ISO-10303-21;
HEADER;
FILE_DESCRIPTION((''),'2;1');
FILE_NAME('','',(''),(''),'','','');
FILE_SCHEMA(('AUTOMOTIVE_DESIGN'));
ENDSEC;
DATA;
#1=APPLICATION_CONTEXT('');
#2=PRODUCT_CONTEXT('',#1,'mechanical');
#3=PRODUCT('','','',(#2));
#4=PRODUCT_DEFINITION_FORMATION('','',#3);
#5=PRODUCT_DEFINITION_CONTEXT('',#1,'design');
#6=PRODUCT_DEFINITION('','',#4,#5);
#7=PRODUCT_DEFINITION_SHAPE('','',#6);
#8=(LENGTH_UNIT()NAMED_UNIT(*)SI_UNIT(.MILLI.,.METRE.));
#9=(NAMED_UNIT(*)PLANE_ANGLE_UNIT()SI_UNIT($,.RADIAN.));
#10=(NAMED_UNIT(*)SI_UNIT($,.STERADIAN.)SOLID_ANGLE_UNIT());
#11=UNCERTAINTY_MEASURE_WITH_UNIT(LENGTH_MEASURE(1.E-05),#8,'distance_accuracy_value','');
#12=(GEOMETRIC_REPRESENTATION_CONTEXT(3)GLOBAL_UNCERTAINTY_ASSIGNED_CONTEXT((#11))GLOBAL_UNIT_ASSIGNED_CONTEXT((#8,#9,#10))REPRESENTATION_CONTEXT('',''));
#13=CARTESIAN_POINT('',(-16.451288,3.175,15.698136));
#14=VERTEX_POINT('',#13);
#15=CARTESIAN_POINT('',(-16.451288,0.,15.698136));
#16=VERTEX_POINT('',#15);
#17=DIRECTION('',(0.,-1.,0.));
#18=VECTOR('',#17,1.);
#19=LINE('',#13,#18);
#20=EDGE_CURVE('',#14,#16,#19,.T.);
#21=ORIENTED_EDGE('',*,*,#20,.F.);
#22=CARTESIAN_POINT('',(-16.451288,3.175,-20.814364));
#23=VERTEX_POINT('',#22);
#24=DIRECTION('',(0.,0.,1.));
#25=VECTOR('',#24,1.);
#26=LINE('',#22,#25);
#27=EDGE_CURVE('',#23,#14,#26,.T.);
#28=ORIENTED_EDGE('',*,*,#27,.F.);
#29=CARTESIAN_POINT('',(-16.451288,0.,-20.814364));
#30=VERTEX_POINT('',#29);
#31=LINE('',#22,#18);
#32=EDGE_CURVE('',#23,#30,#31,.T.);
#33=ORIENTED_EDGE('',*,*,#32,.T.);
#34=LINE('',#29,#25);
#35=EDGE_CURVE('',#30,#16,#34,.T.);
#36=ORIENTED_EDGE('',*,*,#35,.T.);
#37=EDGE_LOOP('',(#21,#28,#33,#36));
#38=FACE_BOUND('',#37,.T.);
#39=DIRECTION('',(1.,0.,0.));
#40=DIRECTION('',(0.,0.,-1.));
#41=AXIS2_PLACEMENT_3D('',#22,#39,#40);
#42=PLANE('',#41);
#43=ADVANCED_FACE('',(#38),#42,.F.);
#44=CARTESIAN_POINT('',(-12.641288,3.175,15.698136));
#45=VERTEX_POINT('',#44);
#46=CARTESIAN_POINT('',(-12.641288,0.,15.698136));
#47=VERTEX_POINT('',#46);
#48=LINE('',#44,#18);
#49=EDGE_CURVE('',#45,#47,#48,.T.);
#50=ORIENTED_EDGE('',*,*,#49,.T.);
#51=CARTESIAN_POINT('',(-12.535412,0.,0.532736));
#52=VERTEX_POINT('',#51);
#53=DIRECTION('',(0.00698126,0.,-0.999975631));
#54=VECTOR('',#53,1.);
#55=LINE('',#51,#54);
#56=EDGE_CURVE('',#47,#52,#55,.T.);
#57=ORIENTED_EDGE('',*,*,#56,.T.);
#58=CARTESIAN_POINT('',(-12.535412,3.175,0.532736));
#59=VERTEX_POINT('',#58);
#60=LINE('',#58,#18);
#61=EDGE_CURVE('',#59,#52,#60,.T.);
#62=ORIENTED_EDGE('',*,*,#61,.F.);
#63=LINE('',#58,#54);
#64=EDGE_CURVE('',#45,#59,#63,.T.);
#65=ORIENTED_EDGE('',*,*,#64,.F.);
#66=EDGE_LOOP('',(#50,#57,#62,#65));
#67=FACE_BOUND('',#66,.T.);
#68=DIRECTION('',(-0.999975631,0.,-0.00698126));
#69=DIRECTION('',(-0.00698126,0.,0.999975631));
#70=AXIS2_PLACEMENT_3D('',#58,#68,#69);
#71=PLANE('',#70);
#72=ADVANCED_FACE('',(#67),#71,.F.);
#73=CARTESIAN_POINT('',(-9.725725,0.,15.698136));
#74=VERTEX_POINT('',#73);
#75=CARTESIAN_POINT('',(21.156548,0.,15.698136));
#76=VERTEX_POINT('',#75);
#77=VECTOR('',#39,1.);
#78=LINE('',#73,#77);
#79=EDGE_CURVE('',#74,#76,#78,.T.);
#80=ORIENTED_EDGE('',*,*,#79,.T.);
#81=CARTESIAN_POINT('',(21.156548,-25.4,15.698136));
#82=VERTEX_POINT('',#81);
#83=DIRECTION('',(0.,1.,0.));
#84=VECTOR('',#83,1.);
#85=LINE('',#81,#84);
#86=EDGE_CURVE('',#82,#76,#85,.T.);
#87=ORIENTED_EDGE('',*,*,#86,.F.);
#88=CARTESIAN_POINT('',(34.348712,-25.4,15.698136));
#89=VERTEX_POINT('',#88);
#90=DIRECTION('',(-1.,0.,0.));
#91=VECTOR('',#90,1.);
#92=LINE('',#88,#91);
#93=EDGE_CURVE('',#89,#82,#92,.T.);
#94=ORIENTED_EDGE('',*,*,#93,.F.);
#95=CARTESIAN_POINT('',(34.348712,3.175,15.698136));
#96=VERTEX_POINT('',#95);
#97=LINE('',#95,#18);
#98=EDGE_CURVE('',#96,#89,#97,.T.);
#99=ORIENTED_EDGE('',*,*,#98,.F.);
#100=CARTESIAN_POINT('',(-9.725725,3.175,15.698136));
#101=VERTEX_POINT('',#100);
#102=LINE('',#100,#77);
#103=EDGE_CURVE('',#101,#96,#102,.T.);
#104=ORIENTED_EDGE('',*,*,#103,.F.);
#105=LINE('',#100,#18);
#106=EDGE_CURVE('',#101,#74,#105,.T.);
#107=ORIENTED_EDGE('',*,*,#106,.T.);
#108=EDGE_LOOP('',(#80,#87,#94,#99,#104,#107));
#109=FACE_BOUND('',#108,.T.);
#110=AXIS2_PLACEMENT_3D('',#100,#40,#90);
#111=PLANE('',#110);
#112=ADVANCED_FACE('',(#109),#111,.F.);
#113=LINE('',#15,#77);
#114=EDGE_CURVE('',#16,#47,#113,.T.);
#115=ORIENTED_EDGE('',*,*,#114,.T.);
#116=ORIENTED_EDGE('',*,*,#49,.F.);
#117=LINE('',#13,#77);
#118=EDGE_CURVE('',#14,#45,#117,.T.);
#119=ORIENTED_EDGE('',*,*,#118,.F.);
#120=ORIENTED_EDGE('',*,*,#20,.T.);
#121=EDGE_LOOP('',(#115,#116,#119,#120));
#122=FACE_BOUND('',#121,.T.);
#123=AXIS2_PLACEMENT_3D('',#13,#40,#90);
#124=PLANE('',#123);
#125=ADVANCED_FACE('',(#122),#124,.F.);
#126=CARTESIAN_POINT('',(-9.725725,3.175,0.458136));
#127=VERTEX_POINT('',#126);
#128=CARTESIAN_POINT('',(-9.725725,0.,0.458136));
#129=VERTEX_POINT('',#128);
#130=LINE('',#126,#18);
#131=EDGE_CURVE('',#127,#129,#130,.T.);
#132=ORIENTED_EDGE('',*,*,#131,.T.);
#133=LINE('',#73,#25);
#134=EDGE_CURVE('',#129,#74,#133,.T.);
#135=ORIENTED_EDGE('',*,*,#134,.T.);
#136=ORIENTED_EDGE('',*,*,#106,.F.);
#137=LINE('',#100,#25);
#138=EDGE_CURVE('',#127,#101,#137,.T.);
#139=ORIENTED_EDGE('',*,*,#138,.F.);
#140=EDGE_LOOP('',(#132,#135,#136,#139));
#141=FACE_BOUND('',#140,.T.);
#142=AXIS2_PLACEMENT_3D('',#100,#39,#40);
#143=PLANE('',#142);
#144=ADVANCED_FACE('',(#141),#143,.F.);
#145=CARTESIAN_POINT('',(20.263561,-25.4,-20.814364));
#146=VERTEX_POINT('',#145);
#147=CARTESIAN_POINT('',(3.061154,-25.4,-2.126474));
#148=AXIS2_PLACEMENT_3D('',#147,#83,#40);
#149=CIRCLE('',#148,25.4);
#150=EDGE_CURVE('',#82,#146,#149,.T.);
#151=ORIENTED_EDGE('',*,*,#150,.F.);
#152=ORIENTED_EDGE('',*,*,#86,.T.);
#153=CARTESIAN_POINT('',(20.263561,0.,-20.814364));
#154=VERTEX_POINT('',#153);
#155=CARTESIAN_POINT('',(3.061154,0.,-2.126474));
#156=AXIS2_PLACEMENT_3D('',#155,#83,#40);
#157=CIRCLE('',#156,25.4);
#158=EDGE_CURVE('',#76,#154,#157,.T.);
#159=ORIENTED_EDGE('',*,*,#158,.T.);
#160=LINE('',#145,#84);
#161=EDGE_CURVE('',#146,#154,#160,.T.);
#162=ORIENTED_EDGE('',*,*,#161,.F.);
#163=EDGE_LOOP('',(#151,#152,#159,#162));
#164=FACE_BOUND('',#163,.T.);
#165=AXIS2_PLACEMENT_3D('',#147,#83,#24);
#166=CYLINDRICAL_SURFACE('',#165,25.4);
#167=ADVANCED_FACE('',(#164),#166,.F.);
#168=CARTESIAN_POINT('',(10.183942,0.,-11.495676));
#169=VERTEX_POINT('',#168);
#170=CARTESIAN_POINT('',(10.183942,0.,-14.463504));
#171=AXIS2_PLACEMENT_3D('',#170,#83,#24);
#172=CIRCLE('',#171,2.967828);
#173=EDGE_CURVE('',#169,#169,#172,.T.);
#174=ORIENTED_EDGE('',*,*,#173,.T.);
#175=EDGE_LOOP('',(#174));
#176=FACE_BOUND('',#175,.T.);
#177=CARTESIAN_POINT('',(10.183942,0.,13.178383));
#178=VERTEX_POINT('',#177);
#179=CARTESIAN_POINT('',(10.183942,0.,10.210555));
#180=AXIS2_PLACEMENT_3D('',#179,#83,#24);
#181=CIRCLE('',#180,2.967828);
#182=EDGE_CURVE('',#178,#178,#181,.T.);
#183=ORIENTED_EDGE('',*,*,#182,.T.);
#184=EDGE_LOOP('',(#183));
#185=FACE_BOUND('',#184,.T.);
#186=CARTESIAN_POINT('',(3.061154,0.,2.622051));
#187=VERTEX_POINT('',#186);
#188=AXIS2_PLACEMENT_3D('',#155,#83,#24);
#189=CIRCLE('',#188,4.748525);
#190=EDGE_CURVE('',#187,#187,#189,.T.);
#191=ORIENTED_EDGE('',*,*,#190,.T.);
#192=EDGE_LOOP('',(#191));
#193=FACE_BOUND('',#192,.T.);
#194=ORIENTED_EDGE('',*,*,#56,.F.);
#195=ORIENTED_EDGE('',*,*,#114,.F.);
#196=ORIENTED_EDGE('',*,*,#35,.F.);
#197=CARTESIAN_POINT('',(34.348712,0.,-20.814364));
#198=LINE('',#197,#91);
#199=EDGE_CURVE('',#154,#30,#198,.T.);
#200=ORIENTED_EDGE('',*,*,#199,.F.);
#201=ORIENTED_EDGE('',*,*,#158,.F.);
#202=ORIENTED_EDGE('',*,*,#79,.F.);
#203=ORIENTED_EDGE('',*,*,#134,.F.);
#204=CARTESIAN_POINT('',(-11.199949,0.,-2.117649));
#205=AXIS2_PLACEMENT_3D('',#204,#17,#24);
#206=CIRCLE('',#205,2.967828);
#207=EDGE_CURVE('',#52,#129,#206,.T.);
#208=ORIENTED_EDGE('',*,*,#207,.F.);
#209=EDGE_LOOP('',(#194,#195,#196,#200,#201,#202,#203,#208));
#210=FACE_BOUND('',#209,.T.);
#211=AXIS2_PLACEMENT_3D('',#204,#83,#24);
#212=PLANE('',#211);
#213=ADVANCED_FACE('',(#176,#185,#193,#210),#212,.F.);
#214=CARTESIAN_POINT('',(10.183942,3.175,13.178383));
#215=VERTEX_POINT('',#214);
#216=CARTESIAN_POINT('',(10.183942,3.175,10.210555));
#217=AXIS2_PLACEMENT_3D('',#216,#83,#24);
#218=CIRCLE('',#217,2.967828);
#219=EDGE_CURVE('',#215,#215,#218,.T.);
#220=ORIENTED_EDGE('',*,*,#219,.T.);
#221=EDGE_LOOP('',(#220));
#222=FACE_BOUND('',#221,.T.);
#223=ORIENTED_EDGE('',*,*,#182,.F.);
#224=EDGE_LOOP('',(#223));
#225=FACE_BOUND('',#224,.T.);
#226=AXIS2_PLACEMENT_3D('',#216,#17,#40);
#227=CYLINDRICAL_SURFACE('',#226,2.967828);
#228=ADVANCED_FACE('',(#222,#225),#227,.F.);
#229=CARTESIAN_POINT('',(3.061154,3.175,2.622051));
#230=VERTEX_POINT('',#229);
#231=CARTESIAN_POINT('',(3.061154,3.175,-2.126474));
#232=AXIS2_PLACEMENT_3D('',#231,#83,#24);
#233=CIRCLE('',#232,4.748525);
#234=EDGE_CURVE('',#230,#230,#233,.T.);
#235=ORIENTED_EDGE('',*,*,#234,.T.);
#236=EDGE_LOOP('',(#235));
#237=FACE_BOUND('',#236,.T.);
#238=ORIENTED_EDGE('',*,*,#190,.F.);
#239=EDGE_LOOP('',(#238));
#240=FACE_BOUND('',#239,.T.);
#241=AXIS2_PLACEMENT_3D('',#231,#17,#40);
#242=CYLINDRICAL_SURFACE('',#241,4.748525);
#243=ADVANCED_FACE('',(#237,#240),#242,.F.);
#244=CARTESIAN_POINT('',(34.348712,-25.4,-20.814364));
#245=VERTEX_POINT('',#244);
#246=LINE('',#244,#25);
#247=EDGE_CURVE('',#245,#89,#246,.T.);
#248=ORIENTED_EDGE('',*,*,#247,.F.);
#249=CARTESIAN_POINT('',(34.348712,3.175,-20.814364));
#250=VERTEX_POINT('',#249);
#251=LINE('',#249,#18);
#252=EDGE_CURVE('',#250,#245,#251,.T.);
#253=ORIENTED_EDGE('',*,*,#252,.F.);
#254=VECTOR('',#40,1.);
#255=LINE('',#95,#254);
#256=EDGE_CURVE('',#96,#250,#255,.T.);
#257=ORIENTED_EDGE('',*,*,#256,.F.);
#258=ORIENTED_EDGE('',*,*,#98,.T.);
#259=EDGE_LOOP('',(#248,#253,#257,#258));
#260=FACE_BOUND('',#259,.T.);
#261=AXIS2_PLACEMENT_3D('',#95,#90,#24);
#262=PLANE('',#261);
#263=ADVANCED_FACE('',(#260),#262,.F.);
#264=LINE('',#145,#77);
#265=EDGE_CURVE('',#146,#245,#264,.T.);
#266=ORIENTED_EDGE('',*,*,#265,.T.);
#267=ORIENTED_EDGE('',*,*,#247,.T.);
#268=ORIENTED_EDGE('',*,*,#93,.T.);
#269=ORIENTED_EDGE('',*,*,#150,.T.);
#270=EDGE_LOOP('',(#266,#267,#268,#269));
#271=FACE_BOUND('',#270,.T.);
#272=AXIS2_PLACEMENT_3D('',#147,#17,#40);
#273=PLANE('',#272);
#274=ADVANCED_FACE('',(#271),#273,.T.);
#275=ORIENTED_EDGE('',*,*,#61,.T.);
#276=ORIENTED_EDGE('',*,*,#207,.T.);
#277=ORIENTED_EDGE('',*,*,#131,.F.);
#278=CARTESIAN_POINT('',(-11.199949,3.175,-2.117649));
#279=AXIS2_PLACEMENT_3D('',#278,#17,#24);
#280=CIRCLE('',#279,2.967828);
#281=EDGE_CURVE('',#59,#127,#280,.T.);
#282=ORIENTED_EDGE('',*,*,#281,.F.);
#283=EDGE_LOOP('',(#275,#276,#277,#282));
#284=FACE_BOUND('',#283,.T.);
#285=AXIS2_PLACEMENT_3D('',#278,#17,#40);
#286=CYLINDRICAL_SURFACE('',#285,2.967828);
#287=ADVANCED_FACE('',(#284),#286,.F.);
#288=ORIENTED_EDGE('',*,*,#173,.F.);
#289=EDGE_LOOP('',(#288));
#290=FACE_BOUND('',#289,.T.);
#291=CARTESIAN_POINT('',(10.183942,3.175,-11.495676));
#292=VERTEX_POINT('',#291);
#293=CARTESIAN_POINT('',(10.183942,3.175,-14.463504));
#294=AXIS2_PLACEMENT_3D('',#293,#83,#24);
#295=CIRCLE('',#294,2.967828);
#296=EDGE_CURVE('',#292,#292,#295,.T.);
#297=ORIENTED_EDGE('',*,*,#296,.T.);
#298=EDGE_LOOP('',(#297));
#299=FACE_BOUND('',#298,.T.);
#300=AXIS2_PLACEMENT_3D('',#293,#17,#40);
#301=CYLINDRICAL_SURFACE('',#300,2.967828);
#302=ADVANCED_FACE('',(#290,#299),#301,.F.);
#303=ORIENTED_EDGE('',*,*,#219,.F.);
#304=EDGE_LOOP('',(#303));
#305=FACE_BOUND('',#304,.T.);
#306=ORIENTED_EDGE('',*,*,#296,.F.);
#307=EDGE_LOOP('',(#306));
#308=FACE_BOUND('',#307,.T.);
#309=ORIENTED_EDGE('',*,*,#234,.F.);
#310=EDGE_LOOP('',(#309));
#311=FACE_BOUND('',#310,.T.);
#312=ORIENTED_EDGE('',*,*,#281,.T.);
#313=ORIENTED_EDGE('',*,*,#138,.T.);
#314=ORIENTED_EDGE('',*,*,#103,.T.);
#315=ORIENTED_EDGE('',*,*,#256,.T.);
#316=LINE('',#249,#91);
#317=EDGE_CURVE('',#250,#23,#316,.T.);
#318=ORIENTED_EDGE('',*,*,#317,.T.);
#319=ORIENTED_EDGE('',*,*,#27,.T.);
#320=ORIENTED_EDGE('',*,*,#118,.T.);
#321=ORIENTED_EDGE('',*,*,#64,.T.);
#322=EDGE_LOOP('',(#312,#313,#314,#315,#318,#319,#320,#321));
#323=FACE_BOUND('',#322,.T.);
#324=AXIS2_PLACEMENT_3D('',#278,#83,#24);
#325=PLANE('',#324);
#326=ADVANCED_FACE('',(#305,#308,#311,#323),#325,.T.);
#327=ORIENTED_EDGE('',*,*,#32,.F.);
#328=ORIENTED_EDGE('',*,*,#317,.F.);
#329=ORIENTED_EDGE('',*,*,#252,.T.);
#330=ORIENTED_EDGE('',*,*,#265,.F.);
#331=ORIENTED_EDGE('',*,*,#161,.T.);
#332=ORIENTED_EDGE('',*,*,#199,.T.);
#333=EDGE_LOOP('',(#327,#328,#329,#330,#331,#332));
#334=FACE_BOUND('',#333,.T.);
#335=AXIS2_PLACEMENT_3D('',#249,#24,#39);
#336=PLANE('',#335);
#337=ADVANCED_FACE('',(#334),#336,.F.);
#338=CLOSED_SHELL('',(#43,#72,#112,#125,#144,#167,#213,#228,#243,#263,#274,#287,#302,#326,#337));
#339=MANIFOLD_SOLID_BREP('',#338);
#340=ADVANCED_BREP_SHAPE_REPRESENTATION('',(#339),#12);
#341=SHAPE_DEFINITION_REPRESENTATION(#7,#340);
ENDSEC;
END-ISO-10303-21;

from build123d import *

# Parameters (mm, degrees)
SKETCH1_R           = 4.748524974
SKETCH1_R_2         = 2.967828109
BOSS_EXTRUDE1_DEPTH = 3.175
BOSS_EXTRUDE2_DEPTH = 25.4


with BuildPart() as part:
    # Sketch1 → Boss-Extrude1 (new body)
    with BuildSketch(Plane(origin=(0, 0, 0), x_dir=(1, 0, 0), z_dir=(0, 1, 0))):
        with BuildLine():
            Line((-12.535412203, -0.532735955), (-12.641288389, -15.698136108))
            Line((-12.641288389, -15.698136108), (-16.451288389, -15.698136108))
            Line((-16.451288389, -15.698136108), (-16.451288389, 20.814363892))
            Line((-16.451288389, 20.814363892), (34.348711611, 20.814363892))
            Line((34.348711611, 20.814363892), (34.348711611, -15.698136108))
            Line((34.348711611, -15.698136108), (-9.725725357, -15.698136108))
            Line((-9.725725357, -15.698136108), (-9.725725357, -0.458136108))
            ThreePointArc((-9.725725357, -0.458136108), (-11.278719551, 5.08443165), (-12.535412203, -0.532735955))
        make_face()
        with Locations(Location((3.061154267, 2.126474445, 0), (0, 0, 270))):
            Circle(SKETCH1_R, mode=Mode.SUBTRACT)
        with Locations(Location((10.183941728, 14.463504219, 0), (0, 0, 270))):
            Circle(SKETCH1_R_2, mode=Mode.SUBTRACT)
        with Locations(Location((10.183941728, -10.210555329, 0), (0, 0, 270))):
            Circle(SKETCH1_R_2, mode=Mode.SUBTRACT)
    extrude(amount=BOSS_EXTRUDE1_DEPTH)

    # Sketch2 → Boss-Extrude2 (add)
    with BuildSketch(Plane.XZ):
        with BuildLine():
            Line((20.263560728, -20.814363892), (34.348711611, -20.814363892))
            Line((34.348711611, -20.814363892), (34.348711611, 15.698136108))
            Line((34.348711611, 15.698136108), (21.156547566, 15.698136108))
            ThreePointArc((21.156547566, 15.698136108), (28.453561223, -2.747496977), (20.263560728, -20.814363892))
        make_face()
    extrude(amount=BOSS_EXTRUDE2_DEPTH)


solid = part.part
